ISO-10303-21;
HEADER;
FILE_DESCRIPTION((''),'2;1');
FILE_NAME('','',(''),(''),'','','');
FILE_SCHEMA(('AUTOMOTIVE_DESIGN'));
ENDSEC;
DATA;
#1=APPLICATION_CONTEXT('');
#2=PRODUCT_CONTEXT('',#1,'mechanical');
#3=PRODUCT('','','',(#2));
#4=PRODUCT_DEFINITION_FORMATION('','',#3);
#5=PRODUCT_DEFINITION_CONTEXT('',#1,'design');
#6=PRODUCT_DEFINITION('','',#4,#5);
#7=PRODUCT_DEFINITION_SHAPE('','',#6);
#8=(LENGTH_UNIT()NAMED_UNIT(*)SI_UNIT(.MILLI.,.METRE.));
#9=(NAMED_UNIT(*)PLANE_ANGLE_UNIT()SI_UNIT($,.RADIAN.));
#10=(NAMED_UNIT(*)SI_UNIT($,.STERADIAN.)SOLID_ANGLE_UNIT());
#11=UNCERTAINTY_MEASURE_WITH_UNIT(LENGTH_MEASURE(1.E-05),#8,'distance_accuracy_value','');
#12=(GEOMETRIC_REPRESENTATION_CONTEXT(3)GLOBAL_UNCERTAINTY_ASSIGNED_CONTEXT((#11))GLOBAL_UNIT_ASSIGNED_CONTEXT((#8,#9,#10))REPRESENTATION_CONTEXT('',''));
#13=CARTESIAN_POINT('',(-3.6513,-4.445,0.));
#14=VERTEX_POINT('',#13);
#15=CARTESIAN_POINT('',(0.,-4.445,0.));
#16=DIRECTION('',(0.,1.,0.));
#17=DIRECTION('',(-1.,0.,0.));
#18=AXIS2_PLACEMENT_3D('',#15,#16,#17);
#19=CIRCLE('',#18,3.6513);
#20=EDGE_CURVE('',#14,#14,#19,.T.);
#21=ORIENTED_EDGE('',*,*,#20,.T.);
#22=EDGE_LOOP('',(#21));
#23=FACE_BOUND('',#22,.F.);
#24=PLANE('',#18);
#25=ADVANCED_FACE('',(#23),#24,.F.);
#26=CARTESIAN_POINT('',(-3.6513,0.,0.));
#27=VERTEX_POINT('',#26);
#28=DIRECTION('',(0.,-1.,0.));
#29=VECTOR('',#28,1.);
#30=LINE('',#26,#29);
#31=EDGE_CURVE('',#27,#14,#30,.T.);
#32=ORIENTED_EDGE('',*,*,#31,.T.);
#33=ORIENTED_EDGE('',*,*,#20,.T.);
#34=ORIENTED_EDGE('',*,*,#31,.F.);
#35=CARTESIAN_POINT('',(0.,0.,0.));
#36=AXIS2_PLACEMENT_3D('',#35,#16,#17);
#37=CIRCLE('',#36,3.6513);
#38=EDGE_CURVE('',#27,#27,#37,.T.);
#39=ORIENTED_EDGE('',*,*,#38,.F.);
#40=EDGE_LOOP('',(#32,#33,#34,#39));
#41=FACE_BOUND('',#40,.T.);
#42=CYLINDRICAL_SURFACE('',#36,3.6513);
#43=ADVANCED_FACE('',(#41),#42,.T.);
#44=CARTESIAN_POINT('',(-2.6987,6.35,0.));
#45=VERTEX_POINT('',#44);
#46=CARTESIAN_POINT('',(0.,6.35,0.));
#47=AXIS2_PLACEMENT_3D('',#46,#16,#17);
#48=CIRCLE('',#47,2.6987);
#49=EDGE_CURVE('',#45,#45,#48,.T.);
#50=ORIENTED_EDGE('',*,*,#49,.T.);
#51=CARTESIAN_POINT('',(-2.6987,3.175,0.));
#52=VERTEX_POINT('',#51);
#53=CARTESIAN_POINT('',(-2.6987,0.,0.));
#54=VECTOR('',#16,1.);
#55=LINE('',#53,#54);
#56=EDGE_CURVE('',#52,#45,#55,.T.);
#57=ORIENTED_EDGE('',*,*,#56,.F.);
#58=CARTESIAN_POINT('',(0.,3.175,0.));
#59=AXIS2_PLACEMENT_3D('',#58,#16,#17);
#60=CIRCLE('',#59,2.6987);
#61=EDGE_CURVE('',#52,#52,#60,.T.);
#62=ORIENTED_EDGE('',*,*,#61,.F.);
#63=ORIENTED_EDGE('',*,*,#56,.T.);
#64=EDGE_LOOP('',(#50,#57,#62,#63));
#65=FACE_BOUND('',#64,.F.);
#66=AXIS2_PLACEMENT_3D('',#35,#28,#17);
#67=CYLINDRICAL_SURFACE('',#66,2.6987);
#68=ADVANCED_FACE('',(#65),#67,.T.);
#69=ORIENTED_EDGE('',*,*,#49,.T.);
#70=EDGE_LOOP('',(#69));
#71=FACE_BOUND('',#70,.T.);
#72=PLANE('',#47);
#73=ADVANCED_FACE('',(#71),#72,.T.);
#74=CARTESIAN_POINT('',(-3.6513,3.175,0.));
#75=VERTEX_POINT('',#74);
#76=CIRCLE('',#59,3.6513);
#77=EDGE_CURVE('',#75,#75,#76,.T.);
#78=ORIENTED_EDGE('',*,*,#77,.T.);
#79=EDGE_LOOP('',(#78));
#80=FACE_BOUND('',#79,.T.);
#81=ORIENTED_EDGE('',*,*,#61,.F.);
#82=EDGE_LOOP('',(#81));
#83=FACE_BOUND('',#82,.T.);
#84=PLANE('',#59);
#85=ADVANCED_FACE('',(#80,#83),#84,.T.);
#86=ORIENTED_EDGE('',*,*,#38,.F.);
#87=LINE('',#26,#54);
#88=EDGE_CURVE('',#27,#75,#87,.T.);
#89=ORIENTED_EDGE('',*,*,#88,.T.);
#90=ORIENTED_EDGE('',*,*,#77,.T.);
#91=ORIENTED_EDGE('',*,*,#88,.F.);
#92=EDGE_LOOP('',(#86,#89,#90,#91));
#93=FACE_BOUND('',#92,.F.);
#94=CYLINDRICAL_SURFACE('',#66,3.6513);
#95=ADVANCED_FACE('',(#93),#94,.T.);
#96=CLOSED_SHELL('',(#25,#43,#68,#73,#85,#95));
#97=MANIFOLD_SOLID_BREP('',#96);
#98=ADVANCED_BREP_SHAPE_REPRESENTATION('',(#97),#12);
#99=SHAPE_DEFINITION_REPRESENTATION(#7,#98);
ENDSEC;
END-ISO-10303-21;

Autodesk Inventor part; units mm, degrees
ref_plane "YZ Plane" through (0, 0, 0) normal (1, 0, 0) x (0, 1, 0)
ref_plane "XZ Plane" through (0, 0, 0) normal (0, 1, 0) x (-1, 0, 0)
ref_plane "XY Plane" through (0, 0, 0) normal (0, 0, 1) x (1, 0, 0)
sketch "Sketch1" plane through (0, 0, 0) normal (0, 1, 0) x (-1, 0, 0)
  circle A0 centre (0, 0) radius 3.6513
  circle A1 centre (0, 0) radius 2.6987
  dimension "d0" = 7.3025
  dimension "d1" = 5.3975
extrude "Extrusion1" add sketch "Sketch1" along normal blind 6.35 contours A1
extrude "Extrusion2" add sketch "Sketch1" along normal blind 3.175
extrude "Extrusion3" add sketch "Sketch1" against normal blind 4.445 contours A0 | A1
properties part number "Track v3 Button"
